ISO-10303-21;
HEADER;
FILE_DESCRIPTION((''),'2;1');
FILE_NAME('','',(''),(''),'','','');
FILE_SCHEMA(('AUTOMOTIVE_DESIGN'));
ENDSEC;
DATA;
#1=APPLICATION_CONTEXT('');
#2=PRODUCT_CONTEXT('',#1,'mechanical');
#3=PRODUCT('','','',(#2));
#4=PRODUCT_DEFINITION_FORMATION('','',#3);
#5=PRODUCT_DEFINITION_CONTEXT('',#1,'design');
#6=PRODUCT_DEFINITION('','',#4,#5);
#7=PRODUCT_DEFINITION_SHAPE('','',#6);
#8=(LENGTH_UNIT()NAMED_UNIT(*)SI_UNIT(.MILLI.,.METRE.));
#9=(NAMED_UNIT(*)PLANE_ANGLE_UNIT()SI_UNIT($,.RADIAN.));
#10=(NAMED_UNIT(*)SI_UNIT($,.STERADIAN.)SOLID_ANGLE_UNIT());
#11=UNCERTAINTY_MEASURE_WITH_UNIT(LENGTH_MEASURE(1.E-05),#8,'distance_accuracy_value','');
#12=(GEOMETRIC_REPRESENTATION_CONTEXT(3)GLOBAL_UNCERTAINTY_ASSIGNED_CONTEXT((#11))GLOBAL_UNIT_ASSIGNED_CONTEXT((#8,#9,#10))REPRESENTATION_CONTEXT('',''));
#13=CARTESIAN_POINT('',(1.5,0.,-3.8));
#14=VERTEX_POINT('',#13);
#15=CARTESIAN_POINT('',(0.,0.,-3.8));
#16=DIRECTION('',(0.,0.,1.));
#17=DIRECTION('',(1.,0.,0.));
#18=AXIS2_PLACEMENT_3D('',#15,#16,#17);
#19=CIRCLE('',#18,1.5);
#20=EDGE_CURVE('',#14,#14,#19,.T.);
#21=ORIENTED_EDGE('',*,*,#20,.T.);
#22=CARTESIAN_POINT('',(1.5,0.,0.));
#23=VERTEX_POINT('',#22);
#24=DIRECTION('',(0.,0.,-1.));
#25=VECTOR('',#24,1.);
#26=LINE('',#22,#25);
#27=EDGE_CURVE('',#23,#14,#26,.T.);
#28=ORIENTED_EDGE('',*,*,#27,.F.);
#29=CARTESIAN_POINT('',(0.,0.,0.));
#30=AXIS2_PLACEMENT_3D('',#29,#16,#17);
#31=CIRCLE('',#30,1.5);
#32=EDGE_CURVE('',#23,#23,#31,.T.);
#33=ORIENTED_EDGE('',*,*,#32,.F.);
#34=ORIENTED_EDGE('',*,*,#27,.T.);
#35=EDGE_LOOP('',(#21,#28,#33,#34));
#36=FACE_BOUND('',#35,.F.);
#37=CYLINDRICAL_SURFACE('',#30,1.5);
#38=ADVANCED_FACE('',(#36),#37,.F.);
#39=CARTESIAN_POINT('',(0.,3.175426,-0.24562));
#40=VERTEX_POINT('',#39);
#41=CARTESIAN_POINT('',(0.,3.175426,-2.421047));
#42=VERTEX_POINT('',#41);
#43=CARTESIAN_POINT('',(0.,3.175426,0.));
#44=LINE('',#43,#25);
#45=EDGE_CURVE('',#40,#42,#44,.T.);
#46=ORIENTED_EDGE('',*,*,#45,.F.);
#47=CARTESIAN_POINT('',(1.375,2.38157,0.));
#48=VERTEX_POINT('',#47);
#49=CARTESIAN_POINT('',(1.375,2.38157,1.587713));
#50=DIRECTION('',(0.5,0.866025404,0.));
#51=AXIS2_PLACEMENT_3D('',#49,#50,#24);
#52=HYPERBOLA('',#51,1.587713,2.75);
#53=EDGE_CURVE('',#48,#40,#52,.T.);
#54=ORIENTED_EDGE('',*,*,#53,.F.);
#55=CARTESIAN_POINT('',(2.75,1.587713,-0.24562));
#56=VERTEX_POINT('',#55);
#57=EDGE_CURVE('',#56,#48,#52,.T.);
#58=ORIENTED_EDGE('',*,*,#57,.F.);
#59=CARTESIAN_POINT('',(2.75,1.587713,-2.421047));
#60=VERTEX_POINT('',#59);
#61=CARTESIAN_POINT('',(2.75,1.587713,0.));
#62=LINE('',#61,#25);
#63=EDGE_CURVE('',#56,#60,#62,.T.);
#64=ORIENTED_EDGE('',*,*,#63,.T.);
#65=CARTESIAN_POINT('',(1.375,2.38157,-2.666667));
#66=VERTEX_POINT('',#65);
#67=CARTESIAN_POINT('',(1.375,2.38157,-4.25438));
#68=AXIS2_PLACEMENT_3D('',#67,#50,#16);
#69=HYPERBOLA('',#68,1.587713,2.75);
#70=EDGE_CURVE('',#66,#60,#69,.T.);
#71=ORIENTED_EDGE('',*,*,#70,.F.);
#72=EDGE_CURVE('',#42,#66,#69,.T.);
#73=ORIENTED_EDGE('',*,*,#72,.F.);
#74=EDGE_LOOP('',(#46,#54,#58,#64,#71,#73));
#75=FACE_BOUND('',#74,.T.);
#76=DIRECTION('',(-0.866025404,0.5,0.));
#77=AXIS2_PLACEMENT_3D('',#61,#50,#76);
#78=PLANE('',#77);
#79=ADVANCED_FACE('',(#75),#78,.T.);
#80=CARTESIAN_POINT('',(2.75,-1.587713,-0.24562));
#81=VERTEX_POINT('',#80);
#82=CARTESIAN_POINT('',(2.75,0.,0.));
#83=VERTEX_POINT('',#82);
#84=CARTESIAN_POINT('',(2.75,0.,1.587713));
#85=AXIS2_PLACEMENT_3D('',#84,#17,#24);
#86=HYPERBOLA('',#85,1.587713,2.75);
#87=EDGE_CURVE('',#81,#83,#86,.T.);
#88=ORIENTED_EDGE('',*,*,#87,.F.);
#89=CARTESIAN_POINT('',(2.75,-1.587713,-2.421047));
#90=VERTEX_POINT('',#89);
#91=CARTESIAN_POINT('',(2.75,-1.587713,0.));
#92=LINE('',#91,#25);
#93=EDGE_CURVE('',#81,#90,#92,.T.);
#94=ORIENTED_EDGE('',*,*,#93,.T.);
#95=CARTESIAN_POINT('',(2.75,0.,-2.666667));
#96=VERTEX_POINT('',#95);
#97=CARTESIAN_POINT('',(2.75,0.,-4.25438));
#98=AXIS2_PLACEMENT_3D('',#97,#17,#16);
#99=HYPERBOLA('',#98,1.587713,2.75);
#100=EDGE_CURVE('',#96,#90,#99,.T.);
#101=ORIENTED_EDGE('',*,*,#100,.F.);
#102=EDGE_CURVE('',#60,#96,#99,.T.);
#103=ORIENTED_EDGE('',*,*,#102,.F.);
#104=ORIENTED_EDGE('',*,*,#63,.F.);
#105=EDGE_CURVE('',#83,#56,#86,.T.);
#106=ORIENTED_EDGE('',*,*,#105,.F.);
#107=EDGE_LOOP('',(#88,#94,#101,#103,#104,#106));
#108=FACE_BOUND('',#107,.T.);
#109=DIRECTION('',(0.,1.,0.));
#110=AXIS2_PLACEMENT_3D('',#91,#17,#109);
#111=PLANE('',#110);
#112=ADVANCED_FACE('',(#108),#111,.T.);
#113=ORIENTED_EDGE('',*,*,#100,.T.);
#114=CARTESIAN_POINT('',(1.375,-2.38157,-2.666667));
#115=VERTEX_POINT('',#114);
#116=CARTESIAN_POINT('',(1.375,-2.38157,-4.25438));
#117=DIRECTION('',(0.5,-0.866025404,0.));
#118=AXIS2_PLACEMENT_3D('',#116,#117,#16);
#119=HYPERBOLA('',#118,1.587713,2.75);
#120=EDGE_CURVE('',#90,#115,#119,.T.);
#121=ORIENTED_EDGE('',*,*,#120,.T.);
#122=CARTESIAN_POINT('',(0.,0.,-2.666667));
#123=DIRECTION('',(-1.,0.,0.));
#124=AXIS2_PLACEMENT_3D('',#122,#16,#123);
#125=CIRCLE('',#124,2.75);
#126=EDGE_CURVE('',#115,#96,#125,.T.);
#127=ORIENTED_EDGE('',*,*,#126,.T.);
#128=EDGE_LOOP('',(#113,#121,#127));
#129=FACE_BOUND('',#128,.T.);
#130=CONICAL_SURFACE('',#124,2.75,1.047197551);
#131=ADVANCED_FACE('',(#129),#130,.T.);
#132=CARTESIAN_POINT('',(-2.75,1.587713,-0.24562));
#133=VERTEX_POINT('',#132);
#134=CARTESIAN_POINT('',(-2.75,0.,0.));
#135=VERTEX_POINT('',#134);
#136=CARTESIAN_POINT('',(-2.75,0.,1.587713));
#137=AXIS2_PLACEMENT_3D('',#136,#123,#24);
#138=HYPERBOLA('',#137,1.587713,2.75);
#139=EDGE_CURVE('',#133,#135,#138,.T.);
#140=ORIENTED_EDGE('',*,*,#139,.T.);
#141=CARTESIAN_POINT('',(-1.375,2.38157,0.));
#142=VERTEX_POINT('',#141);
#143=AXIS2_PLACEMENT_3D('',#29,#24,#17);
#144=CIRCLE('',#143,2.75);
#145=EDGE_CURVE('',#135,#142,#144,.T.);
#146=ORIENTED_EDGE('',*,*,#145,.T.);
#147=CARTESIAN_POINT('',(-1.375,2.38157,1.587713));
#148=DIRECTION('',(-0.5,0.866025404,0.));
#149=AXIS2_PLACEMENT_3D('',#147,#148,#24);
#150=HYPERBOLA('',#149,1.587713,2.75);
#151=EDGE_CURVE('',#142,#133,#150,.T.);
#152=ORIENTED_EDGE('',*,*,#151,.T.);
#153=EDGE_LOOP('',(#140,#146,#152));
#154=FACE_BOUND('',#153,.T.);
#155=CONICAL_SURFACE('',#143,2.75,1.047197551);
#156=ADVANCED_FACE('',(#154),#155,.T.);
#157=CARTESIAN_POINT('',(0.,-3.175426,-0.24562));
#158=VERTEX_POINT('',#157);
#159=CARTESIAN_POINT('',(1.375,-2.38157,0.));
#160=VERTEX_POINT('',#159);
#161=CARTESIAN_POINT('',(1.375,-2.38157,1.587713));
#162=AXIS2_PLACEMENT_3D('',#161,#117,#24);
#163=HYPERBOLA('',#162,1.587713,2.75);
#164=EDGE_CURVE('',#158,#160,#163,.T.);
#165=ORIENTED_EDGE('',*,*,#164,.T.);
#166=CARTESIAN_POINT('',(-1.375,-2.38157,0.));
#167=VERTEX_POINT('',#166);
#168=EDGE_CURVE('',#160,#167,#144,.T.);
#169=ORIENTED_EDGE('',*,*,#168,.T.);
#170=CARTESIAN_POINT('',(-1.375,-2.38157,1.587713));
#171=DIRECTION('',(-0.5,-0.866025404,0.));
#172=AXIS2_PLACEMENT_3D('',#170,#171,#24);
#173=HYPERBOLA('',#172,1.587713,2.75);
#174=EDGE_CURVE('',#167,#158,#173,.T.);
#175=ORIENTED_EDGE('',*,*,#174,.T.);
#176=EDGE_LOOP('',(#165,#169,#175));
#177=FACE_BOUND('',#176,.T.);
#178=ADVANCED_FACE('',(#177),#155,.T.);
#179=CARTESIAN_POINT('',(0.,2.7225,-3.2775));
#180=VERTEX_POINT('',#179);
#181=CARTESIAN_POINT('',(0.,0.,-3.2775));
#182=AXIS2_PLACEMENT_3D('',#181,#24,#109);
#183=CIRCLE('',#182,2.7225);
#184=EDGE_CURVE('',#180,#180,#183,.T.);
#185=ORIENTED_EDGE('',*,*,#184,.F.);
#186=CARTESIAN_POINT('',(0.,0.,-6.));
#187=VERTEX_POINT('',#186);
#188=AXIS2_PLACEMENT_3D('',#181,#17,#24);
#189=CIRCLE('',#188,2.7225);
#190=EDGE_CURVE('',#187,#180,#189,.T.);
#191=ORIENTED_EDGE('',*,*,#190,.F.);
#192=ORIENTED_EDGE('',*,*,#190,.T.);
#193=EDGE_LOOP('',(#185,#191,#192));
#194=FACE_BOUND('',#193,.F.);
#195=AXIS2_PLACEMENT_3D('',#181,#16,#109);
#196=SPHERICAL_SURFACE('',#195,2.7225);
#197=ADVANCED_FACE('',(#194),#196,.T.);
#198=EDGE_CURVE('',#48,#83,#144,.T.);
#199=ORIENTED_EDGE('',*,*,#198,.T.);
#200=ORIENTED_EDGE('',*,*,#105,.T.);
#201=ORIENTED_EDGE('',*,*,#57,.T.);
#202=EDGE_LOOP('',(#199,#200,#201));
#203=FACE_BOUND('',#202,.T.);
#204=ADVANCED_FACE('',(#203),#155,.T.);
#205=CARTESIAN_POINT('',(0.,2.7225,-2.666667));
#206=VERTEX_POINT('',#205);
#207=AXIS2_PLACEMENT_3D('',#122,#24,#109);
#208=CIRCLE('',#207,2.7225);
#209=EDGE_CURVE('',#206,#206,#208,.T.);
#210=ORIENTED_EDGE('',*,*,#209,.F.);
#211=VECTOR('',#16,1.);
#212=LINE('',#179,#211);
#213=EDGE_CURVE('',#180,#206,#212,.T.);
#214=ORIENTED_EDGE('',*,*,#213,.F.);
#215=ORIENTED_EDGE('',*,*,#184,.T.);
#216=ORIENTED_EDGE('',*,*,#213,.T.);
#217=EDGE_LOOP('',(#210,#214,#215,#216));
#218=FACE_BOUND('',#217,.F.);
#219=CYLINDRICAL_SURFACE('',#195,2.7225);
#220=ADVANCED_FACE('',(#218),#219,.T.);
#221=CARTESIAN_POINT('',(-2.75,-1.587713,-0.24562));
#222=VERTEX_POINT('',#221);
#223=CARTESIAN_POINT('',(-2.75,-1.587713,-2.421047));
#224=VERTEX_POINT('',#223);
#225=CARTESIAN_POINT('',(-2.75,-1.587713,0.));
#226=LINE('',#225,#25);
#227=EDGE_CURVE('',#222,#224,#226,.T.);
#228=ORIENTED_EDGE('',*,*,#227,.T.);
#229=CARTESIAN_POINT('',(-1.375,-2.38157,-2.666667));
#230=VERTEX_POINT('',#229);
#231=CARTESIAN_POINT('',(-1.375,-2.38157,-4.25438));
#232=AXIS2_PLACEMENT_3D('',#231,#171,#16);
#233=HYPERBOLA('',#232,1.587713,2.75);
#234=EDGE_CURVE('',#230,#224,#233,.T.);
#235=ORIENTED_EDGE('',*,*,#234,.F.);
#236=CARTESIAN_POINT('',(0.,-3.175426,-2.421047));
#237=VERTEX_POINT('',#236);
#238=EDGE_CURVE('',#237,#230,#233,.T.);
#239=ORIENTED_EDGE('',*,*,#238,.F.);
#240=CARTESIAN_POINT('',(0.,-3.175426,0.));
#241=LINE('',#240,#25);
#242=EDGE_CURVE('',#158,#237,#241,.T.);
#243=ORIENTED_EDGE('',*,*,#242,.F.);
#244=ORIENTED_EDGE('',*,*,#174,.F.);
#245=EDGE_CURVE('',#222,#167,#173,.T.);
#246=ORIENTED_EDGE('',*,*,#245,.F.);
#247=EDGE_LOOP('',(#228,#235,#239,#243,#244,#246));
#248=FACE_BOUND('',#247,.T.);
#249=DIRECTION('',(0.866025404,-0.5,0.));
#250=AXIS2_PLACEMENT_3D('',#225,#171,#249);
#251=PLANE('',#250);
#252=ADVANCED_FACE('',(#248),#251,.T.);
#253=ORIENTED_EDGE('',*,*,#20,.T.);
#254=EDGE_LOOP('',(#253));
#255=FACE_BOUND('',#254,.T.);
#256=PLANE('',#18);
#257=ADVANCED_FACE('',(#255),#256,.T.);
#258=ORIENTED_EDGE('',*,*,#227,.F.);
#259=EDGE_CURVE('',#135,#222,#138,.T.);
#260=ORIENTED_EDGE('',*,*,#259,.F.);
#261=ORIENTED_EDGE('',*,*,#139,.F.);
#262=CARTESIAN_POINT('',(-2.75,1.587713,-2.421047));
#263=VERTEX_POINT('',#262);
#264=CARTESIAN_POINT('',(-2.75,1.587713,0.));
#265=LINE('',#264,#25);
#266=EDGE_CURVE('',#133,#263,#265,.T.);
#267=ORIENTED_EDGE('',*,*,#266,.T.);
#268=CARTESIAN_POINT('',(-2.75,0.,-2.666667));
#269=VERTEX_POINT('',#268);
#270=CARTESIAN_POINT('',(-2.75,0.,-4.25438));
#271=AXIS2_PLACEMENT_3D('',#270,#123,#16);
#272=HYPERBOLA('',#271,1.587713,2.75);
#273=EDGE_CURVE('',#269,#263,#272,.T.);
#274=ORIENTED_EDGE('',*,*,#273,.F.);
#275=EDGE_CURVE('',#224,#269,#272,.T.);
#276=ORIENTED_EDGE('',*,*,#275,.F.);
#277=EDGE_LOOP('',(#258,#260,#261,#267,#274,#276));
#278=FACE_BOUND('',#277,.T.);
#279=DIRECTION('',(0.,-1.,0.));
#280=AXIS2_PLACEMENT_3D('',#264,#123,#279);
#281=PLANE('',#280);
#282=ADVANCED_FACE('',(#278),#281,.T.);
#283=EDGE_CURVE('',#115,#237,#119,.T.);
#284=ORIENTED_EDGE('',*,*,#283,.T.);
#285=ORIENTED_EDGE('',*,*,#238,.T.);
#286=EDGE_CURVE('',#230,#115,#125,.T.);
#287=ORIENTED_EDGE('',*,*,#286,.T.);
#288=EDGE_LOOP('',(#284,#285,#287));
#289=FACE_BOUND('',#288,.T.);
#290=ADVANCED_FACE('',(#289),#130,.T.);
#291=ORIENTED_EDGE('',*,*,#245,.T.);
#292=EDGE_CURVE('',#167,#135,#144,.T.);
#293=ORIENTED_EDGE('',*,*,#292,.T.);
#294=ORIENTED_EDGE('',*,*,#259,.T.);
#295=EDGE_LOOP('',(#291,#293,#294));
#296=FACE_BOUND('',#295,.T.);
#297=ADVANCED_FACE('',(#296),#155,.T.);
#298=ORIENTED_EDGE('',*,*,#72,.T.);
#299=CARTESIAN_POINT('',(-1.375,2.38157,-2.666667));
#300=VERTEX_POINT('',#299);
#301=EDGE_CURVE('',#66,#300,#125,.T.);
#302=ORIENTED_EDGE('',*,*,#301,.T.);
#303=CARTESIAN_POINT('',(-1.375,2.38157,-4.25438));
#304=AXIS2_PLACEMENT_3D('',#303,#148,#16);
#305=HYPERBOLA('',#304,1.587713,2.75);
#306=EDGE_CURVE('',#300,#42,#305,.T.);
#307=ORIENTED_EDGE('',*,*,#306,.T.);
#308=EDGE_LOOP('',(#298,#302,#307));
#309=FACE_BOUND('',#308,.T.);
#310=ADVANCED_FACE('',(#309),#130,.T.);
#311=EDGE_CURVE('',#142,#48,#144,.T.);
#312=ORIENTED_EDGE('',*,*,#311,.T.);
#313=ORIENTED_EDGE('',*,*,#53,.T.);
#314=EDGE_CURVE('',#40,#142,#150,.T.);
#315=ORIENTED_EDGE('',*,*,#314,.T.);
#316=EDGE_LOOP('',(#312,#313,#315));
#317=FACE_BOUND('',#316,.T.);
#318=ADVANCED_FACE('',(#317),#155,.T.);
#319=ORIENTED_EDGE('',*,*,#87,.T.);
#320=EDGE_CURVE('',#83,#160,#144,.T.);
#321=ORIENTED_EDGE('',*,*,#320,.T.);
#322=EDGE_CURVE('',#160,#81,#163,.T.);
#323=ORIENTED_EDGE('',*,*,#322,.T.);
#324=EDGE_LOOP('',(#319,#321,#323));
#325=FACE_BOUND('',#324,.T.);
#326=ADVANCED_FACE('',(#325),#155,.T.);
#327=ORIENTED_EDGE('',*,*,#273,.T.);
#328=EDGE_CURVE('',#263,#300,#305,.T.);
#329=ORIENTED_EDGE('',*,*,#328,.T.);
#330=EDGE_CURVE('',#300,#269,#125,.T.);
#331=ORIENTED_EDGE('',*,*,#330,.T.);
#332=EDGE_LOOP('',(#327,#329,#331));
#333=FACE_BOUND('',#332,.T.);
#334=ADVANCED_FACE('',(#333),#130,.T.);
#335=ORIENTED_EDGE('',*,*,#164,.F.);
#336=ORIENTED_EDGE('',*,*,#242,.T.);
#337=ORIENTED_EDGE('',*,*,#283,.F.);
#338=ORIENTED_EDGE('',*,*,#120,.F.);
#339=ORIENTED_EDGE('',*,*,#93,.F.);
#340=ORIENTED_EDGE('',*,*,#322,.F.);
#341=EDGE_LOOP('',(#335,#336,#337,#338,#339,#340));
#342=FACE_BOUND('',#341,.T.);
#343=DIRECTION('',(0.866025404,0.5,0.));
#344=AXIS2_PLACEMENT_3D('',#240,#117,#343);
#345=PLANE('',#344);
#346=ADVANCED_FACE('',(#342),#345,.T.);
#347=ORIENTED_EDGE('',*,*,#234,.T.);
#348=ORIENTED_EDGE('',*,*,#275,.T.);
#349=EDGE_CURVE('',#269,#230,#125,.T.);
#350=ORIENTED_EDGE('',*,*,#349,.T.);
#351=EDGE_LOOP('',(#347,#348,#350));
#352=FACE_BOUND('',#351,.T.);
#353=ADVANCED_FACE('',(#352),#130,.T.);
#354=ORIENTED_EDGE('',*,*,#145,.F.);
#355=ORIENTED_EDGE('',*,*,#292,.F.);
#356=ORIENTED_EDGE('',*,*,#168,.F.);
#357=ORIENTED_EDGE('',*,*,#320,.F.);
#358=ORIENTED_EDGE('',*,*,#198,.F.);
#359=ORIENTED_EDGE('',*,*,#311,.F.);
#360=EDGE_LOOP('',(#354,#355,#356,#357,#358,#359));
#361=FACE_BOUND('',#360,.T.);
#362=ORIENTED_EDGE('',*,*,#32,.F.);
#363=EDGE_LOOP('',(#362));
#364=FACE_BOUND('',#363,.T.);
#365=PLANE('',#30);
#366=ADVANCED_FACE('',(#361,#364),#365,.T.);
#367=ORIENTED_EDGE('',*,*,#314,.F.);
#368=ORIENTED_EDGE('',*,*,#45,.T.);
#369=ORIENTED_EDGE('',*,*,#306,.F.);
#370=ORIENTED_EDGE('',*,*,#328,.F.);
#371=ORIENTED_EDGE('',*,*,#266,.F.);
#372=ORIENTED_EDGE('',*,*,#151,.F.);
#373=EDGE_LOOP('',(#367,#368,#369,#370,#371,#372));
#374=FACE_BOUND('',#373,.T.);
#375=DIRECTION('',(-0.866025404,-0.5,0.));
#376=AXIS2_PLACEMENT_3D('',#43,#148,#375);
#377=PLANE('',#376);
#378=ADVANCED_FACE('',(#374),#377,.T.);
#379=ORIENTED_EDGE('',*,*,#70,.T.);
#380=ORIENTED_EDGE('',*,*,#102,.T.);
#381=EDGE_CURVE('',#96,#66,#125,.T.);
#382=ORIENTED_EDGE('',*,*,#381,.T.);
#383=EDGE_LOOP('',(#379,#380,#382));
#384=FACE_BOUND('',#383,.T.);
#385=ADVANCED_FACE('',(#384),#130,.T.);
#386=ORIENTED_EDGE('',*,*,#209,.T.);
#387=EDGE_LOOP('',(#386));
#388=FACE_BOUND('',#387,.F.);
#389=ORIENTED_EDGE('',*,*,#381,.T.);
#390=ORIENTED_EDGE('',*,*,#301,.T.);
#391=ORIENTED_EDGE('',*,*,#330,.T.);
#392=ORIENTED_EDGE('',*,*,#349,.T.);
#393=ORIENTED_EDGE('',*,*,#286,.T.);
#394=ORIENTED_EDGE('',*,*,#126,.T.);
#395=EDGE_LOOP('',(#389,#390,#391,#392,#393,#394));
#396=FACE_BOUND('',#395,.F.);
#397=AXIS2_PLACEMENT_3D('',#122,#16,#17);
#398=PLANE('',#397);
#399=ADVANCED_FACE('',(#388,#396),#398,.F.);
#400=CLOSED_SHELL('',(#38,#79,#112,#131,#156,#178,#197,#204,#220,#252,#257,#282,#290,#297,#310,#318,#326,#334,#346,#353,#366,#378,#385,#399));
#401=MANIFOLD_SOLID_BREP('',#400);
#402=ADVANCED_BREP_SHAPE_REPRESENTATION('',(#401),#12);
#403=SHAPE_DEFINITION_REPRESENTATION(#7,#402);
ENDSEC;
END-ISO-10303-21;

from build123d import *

# Parameters (mm, degrees)
EXTRUDE1_DEPTH     = 2.666666667
SKETCH2_OUTSIDE_W  = 21.964
SKETCH2_OUTSIDE_H  = 22.814
SKETCH2_OUTSIDE_R  = 2.75
CUT_EXTRUDE1_DEPTH = 3.666666667
CUT_EXTRUDE1_TAPER = 60
SKETCH3_OUTSIDE_W  = 21.964
SKETCH3_OUTSIDE_H  = 22.814
SKETCH3_OUTSIDE_R  = 2.75
CUT_EXTRUDE2_DEPTH = 3.666666667
CUT_EXTRUDE2_TAPER = 60
SKETCH4_R          = 1.5
CUT_EXTRUDE3_DEPTH = 3.8


with BuildPart() as part:
    # Sketch1 → Extrude1 (new body)
    with BuildSketch(Plane.XY):
        Polygon((0, 3.175426481), (-2.75, 1.58771324), (-2.75, -1.58771324), (0, -3.175426481), (2.75, -1.58771324), (2.75, 1.58771324), align=None)
    extrude(amount=-EXTRUDE1_DEPTH)

    # Sketch2 outside → Cut-Extrude1 (cut, through all)
    with BuildSketch(Plane.XY):
        Rectangle(SKETCH2_OUTSIDE_W, SKETCH2_OUTSIDE_H)
        Circle(SKETCH2_OUTSIDE_R, mode=Mode.SUBTRACT)
    extrude(amount=-CUT_EXTRUDE1_DEPTH, taper=CUT_EXTRUDE1_TAPER, mode=Mode.SUBTRACT)

    # Sketch3 outside → Cut-Extrude2 (cut, through all)
    with BuildSketch(Plane(origin=(0, 0, -2.666666667), x_dir=(-1, 0, 0), z_dir=(0, 0, -1))):
        Rectangle(SKETCH3_OUTSIDE_W, SKETCH3_OUTSIDE_H)
        Circle(SKETCH3_OUTSIDE_R, mode=Mode.SUBTRACT)
    extrude(amount=-CUT_EXTRUDE2_DEPTH, taper=CUT_EXTRUDE2_TAPER, mode=Mode.SUBTRACT)

    # Sketch14 → Revolve1 (revolve)
    with BuildSketch(Plane(origin=(0, 0, 0), x_dir=(0, 0, -1), z_dir=(1, 0, 0))):
        with BuildLine():
            Line((2.666666667, 2.7225), (2.666666667, 0))
            Line((2.666666667, 0), (6, 0))
            ThreePointArc((6, 0), (5.202598212, 1.925098212), (3.2775, 2.7225))
            Line((3.2775, 2.7225), (2.666666667, 2.7225))
        make_face()
    revolve(axis=Axis((0, 0, 0), (0, 0, -1)))

    # Sketch4 → Cut-Extrude3 (cut)
    with BuildSketch(Plane.XY):
        Circle(SKETCH4_R)
    extrude(amount=-CUT_EXTRUDE3_DEPTH, mode=Mode.SUBTRACT)


solid = part.part
